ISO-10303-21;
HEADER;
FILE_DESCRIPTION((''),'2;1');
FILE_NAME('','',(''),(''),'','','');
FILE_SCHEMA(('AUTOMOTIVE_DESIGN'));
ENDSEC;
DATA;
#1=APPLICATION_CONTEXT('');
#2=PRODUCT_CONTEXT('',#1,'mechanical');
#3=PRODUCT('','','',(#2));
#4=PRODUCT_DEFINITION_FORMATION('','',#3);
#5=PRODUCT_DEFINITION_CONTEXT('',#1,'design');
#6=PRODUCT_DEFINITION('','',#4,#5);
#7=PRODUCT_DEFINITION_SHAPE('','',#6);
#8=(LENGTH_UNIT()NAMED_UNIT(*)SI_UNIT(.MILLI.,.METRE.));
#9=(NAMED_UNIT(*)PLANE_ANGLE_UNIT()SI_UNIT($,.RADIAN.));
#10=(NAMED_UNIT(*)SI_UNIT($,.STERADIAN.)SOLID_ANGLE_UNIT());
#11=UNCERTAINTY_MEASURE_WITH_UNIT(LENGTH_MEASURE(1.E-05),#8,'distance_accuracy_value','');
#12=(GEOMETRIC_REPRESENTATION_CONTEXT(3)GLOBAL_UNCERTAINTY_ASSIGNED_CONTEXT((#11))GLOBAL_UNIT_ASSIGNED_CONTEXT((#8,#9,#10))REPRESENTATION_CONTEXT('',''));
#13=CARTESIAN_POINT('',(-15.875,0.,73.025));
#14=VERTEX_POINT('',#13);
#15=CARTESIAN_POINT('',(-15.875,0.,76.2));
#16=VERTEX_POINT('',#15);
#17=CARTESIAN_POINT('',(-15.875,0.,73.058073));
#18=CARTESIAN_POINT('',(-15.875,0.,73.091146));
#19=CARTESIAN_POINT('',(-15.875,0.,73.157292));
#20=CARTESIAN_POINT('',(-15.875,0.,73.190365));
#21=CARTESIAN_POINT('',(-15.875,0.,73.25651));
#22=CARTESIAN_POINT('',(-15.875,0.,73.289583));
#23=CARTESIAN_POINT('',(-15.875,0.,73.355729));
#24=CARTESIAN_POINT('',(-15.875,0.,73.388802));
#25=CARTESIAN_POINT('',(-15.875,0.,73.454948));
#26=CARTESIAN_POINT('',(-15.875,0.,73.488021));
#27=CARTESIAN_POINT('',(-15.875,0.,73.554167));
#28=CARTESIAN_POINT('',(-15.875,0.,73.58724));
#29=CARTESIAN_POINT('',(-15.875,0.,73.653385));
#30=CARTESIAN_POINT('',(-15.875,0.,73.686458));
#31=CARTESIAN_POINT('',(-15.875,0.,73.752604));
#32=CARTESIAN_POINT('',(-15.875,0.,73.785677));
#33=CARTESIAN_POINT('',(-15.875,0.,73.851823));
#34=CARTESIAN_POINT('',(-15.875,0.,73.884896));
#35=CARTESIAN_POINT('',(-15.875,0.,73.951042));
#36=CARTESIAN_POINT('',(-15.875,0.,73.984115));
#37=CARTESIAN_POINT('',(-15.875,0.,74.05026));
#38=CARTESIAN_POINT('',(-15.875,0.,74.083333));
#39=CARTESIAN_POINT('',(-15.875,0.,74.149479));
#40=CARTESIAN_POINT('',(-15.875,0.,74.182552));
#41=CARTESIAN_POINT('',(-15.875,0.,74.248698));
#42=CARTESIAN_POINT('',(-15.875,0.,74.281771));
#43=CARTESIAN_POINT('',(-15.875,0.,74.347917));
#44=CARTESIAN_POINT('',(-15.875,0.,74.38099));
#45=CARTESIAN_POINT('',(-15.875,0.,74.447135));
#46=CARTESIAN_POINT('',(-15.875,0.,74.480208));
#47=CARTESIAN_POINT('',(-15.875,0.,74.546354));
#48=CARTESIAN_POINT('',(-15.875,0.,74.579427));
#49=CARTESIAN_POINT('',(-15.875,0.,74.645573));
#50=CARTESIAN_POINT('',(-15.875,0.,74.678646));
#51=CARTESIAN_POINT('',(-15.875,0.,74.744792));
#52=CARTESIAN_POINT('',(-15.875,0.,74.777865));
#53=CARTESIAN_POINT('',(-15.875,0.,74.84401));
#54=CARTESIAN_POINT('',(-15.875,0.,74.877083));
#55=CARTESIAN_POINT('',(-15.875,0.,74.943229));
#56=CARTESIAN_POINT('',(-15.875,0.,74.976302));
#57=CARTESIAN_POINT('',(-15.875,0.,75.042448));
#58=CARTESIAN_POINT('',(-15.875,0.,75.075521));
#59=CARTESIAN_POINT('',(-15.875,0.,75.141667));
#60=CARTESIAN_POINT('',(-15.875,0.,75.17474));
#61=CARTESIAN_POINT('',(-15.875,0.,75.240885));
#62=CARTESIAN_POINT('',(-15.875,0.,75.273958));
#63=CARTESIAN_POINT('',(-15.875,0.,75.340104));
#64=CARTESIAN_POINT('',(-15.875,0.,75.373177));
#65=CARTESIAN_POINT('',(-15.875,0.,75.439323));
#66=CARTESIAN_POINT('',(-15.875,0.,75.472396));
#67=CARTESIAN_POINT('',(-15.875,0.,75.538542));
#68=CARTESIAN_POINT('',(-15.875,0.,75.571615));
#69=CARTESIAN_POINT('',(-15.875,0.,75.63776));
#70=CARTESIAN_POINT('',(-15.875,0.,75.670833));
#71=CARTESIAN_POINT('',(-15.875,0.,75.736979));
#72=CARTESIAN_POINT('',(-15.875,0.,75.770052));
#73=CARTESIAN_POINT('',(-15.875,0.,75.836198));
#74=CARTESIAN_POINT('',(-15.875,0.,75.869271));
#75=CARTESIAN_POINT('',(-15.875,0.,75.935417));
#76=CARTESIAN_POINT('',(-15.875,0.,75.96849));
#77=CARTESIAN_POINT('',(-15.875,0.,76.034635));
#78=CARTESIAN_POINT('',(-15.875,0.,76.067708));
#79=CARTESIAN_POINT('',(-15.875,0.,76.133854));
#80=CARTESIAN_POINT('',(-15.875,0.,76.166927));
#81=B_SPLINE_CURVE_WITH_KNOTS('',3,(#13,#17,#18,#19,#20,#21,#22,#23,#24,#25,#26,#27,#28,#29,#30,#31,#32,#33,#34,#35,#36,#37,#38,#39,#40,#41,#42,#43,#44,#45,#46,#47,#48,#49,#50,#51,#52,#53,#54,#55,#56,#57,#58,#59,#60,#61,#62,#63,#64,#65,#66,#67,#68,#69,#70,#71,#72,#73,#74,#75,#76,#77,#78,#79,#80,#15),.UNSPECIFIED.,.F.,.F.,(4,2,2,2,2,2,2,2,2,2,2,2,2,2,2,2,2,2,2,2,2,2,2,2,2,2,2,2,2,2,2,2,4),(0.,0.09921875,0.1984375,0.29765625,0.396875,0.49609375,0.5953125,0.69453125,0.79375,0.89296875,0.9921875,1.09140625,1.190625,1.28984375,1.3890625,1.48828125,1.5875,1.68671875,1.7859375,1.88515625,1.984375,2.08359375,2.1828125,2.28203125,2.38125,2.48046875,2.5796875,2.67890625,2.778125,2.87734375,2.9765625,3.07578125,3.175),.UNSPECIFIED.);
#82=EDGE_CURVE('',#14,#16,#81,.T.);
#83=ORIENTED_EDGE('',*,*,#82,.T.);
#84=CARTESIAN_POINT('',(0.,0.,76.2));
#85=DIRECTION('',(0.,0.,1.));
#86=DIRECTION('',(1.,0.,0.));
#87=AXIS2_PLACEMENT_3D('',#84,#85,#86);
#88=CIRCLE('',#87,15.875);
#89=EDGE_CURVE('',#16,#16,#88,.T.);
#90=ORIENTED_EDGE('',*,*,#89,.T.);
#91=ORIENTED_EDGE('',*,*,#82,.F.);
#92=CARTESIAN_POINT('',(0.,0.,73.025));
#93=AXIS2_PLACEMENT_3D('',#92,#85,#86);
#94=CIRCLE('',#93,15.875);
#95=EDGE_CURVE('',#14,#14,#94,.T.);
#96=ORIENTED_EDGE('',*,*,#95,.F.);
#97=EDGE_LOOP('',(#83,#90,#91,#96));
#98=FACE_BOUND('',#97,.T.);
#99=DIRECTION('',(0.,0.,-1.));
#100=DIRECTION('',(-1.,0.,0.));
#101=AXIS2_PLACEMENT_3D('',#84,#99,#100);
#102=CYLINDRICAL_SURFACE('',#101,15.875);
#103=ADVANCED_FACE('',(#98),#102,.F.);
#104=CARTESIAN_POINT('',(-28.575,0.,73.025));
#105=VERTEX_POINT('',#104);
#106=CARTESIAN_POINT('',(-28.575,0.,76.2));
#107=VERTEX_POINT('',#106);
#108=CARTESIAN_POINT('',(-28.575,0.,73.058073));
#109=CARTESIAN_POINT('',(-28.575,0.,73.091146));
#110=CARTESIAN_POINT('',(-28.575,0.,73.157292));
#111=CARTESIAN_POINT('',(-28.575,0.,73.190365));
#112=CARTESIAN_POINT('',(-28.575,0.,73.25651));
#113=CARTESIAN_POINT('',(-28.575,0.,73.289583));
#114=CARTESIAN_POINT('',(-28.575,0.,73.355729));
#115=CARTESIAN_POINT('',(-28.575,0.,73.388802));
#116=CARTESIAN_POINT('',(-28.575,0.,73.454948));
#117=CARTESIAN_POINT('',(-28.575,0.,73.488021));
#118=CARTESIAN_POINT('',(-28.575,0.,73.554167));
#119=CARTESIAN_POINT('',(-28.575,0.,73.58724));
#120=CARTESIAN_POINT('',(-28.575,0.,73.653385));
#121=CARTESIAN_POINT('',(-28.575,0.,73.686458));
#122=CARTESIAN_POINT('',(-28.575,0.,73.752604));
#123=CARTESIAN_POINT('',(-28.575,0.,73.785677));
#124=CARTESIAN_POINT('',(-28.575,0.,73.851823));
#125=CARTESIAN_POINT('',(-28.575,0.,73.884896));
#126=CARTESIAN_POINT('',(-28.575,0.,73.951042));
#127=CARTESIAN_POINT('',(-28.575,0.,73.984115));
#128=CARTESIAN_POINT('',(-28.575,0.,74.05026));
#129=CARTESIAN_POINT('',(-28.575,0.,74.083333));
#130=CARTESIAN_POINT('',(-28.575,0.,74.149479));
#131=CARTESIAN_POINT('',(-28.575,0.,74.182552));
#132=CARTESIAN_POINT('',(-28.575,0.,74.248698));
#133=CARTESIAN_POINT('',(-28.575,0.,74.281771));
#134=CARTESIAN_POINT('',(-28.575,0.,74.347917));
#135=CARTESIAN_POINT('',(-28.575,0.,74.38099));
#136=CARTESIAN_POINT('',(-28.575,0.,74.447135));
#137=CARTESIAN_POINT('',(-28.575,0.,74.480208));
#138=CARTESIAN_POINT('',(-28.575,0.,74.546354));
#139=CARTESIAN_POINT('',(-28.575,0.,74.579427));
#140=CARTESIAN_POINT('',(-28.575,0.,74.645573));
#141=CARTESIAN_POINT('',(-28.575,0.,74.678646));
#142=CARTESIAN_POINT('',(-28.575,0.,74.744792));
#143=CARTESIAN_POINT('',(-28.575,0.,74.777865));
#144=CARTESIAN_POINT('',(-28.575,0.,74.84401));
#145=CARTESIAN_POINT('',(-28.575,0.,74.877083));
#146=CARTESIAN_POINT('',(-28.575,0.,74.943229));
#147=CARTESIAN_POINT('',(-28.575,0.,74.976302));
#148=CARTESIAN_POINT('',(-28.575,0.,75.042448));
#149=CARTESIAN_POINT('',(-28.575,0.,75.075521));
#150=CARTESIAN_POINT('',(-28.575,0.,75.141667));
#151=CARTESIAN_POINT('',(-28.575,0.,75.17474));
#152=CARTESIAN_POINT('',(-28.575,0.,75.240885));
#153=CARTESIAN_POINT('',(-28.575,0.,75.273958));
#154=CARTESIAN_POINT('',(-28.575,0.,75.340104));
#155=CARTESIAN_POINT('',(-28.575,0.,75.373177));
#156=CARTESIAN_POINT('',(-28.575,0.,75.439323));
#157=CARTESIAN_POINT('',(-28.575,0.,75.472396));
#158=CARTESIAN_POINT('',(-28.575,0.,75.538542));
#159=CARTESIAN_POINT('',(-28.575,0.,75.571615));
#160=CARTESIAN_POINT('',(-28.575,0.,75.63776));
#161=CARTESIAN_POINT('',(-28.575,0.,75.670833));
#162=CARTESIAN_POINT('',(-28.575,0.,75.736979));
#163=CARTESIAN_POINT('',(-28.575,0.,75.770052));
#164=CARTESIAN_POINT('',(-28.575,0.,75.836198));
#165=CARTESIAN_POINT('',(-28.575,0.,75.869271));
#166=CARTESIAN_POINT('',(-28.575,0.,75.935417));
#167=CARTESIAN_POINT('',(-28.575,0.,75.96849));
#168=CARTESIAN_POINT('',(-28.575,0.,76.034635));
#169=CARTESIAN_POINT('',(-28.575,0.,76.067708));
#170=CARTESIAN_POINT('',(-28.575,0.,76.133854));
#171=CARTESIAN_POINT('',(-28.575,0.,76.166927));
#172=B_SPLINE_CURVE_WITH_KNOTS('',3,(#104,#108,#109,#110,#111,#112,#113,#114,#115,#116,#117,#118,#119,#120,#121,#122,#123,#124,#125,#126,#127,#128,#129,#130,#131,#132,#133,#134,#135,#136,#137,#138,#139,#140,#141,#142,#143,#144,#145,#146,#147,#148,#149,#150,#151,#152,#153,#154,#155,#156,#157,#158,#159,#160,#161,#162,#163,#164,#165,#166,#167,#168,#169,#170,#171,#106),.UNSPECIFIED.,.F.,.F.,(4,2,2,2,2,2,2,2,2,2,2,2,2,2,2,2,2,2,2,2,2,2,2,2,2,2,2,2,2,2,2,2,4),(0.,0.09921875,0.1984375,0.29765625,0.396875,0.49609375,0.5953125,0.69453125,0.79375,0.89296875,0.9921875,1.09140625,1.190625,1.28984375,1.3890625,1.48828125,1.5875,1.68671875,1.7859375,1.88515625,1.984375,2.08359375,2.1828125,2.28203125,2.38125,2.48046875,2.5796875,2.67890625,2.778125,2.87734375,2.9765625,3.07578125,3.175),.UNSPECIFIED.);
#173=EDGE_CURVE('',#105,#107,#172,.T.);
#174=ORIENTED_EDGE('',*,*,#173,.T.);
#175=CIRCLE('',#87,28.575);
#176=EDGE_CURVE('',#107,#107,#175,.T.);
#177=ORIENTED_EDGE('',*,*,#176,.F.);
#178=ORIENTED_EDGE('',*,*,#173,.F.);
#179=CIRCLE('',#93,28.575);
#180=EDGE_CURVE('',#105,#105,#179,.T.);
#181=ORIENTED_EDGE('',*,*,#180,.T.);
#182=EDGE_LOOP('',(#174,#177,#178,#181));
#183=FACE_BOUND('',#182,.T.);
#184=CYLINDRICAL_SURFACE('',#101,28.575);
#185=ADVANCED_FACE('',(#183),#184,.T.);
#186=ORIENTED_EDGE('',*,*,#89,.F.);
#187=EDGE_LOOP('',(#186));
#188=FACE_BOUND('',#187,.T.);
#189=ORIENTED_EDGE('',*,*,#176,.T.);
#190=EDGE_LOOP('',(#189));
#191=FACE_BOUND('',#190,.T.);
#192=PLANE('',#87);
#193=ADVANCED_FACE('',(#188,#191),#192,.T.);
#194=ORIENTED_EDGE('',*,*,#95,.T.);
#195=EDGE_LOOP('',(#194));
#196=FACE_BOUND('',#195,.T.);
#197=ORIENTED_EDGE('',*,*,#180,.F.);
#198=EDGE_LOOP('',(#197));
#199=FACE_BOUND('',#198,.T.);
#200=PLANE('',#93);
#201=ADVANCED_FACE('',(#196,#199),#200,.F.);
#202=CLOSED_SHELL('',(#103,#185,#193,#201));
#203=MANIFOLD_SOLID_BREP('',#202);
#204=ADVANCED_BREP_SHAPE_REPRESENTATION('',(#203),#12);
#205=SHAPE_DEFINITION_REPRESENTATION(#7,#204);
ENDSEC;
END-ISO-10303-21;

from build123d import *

# Parameters (mm, degrees)
SKETCH3_R               = 28.575
SKETCH3_R_2             = 15.875
BOSS_EXTRUDE1_DEPTH     = 76.2
CUT_EXTRUDE1_DEPTH      = 158.666804528
CUT_EXTRUDE1_DEPTH_BACK = 149.225
SKETCH4_R               = 34.894987184


with BuildPart() as part:
    # Sketch3 → Boss-Extrude1 (new, symmetric)
    with BuildSketch(Plane.XY):
        with Locations(Location((0, 0, 0), (0, 0, 180))):
            Circle(SKETCH3_R)
        with Locations(Location((0, 0, 0), (0, 0, 180))):
            Circle(SKETCH3_R_2, mode=Mode.SUBTRACT)
    extrude(amount=BOSS_EXTRUDE1_DEPTH, both=True)

    # Sketch4 → Cut-Extrude1 (cut, two sides: drawn at the far end of the back side and taken through both)
    with BuildSketch(Plane(origin=(0, 0, -76.2), x_dir=(-1, 0, 0), z_dir=(0, 0, -1)).offset(-CUT_EXTRUDE1_DEPTH_BACK)):
        Circle(SKETCH4_R)
    extrude(amount=CUT_EXTRUDE1_DEPTH + CUT_EXTRUDE1_DEPTH_BACK, mode=Mode.SUBTRACT)


solid = part.part
